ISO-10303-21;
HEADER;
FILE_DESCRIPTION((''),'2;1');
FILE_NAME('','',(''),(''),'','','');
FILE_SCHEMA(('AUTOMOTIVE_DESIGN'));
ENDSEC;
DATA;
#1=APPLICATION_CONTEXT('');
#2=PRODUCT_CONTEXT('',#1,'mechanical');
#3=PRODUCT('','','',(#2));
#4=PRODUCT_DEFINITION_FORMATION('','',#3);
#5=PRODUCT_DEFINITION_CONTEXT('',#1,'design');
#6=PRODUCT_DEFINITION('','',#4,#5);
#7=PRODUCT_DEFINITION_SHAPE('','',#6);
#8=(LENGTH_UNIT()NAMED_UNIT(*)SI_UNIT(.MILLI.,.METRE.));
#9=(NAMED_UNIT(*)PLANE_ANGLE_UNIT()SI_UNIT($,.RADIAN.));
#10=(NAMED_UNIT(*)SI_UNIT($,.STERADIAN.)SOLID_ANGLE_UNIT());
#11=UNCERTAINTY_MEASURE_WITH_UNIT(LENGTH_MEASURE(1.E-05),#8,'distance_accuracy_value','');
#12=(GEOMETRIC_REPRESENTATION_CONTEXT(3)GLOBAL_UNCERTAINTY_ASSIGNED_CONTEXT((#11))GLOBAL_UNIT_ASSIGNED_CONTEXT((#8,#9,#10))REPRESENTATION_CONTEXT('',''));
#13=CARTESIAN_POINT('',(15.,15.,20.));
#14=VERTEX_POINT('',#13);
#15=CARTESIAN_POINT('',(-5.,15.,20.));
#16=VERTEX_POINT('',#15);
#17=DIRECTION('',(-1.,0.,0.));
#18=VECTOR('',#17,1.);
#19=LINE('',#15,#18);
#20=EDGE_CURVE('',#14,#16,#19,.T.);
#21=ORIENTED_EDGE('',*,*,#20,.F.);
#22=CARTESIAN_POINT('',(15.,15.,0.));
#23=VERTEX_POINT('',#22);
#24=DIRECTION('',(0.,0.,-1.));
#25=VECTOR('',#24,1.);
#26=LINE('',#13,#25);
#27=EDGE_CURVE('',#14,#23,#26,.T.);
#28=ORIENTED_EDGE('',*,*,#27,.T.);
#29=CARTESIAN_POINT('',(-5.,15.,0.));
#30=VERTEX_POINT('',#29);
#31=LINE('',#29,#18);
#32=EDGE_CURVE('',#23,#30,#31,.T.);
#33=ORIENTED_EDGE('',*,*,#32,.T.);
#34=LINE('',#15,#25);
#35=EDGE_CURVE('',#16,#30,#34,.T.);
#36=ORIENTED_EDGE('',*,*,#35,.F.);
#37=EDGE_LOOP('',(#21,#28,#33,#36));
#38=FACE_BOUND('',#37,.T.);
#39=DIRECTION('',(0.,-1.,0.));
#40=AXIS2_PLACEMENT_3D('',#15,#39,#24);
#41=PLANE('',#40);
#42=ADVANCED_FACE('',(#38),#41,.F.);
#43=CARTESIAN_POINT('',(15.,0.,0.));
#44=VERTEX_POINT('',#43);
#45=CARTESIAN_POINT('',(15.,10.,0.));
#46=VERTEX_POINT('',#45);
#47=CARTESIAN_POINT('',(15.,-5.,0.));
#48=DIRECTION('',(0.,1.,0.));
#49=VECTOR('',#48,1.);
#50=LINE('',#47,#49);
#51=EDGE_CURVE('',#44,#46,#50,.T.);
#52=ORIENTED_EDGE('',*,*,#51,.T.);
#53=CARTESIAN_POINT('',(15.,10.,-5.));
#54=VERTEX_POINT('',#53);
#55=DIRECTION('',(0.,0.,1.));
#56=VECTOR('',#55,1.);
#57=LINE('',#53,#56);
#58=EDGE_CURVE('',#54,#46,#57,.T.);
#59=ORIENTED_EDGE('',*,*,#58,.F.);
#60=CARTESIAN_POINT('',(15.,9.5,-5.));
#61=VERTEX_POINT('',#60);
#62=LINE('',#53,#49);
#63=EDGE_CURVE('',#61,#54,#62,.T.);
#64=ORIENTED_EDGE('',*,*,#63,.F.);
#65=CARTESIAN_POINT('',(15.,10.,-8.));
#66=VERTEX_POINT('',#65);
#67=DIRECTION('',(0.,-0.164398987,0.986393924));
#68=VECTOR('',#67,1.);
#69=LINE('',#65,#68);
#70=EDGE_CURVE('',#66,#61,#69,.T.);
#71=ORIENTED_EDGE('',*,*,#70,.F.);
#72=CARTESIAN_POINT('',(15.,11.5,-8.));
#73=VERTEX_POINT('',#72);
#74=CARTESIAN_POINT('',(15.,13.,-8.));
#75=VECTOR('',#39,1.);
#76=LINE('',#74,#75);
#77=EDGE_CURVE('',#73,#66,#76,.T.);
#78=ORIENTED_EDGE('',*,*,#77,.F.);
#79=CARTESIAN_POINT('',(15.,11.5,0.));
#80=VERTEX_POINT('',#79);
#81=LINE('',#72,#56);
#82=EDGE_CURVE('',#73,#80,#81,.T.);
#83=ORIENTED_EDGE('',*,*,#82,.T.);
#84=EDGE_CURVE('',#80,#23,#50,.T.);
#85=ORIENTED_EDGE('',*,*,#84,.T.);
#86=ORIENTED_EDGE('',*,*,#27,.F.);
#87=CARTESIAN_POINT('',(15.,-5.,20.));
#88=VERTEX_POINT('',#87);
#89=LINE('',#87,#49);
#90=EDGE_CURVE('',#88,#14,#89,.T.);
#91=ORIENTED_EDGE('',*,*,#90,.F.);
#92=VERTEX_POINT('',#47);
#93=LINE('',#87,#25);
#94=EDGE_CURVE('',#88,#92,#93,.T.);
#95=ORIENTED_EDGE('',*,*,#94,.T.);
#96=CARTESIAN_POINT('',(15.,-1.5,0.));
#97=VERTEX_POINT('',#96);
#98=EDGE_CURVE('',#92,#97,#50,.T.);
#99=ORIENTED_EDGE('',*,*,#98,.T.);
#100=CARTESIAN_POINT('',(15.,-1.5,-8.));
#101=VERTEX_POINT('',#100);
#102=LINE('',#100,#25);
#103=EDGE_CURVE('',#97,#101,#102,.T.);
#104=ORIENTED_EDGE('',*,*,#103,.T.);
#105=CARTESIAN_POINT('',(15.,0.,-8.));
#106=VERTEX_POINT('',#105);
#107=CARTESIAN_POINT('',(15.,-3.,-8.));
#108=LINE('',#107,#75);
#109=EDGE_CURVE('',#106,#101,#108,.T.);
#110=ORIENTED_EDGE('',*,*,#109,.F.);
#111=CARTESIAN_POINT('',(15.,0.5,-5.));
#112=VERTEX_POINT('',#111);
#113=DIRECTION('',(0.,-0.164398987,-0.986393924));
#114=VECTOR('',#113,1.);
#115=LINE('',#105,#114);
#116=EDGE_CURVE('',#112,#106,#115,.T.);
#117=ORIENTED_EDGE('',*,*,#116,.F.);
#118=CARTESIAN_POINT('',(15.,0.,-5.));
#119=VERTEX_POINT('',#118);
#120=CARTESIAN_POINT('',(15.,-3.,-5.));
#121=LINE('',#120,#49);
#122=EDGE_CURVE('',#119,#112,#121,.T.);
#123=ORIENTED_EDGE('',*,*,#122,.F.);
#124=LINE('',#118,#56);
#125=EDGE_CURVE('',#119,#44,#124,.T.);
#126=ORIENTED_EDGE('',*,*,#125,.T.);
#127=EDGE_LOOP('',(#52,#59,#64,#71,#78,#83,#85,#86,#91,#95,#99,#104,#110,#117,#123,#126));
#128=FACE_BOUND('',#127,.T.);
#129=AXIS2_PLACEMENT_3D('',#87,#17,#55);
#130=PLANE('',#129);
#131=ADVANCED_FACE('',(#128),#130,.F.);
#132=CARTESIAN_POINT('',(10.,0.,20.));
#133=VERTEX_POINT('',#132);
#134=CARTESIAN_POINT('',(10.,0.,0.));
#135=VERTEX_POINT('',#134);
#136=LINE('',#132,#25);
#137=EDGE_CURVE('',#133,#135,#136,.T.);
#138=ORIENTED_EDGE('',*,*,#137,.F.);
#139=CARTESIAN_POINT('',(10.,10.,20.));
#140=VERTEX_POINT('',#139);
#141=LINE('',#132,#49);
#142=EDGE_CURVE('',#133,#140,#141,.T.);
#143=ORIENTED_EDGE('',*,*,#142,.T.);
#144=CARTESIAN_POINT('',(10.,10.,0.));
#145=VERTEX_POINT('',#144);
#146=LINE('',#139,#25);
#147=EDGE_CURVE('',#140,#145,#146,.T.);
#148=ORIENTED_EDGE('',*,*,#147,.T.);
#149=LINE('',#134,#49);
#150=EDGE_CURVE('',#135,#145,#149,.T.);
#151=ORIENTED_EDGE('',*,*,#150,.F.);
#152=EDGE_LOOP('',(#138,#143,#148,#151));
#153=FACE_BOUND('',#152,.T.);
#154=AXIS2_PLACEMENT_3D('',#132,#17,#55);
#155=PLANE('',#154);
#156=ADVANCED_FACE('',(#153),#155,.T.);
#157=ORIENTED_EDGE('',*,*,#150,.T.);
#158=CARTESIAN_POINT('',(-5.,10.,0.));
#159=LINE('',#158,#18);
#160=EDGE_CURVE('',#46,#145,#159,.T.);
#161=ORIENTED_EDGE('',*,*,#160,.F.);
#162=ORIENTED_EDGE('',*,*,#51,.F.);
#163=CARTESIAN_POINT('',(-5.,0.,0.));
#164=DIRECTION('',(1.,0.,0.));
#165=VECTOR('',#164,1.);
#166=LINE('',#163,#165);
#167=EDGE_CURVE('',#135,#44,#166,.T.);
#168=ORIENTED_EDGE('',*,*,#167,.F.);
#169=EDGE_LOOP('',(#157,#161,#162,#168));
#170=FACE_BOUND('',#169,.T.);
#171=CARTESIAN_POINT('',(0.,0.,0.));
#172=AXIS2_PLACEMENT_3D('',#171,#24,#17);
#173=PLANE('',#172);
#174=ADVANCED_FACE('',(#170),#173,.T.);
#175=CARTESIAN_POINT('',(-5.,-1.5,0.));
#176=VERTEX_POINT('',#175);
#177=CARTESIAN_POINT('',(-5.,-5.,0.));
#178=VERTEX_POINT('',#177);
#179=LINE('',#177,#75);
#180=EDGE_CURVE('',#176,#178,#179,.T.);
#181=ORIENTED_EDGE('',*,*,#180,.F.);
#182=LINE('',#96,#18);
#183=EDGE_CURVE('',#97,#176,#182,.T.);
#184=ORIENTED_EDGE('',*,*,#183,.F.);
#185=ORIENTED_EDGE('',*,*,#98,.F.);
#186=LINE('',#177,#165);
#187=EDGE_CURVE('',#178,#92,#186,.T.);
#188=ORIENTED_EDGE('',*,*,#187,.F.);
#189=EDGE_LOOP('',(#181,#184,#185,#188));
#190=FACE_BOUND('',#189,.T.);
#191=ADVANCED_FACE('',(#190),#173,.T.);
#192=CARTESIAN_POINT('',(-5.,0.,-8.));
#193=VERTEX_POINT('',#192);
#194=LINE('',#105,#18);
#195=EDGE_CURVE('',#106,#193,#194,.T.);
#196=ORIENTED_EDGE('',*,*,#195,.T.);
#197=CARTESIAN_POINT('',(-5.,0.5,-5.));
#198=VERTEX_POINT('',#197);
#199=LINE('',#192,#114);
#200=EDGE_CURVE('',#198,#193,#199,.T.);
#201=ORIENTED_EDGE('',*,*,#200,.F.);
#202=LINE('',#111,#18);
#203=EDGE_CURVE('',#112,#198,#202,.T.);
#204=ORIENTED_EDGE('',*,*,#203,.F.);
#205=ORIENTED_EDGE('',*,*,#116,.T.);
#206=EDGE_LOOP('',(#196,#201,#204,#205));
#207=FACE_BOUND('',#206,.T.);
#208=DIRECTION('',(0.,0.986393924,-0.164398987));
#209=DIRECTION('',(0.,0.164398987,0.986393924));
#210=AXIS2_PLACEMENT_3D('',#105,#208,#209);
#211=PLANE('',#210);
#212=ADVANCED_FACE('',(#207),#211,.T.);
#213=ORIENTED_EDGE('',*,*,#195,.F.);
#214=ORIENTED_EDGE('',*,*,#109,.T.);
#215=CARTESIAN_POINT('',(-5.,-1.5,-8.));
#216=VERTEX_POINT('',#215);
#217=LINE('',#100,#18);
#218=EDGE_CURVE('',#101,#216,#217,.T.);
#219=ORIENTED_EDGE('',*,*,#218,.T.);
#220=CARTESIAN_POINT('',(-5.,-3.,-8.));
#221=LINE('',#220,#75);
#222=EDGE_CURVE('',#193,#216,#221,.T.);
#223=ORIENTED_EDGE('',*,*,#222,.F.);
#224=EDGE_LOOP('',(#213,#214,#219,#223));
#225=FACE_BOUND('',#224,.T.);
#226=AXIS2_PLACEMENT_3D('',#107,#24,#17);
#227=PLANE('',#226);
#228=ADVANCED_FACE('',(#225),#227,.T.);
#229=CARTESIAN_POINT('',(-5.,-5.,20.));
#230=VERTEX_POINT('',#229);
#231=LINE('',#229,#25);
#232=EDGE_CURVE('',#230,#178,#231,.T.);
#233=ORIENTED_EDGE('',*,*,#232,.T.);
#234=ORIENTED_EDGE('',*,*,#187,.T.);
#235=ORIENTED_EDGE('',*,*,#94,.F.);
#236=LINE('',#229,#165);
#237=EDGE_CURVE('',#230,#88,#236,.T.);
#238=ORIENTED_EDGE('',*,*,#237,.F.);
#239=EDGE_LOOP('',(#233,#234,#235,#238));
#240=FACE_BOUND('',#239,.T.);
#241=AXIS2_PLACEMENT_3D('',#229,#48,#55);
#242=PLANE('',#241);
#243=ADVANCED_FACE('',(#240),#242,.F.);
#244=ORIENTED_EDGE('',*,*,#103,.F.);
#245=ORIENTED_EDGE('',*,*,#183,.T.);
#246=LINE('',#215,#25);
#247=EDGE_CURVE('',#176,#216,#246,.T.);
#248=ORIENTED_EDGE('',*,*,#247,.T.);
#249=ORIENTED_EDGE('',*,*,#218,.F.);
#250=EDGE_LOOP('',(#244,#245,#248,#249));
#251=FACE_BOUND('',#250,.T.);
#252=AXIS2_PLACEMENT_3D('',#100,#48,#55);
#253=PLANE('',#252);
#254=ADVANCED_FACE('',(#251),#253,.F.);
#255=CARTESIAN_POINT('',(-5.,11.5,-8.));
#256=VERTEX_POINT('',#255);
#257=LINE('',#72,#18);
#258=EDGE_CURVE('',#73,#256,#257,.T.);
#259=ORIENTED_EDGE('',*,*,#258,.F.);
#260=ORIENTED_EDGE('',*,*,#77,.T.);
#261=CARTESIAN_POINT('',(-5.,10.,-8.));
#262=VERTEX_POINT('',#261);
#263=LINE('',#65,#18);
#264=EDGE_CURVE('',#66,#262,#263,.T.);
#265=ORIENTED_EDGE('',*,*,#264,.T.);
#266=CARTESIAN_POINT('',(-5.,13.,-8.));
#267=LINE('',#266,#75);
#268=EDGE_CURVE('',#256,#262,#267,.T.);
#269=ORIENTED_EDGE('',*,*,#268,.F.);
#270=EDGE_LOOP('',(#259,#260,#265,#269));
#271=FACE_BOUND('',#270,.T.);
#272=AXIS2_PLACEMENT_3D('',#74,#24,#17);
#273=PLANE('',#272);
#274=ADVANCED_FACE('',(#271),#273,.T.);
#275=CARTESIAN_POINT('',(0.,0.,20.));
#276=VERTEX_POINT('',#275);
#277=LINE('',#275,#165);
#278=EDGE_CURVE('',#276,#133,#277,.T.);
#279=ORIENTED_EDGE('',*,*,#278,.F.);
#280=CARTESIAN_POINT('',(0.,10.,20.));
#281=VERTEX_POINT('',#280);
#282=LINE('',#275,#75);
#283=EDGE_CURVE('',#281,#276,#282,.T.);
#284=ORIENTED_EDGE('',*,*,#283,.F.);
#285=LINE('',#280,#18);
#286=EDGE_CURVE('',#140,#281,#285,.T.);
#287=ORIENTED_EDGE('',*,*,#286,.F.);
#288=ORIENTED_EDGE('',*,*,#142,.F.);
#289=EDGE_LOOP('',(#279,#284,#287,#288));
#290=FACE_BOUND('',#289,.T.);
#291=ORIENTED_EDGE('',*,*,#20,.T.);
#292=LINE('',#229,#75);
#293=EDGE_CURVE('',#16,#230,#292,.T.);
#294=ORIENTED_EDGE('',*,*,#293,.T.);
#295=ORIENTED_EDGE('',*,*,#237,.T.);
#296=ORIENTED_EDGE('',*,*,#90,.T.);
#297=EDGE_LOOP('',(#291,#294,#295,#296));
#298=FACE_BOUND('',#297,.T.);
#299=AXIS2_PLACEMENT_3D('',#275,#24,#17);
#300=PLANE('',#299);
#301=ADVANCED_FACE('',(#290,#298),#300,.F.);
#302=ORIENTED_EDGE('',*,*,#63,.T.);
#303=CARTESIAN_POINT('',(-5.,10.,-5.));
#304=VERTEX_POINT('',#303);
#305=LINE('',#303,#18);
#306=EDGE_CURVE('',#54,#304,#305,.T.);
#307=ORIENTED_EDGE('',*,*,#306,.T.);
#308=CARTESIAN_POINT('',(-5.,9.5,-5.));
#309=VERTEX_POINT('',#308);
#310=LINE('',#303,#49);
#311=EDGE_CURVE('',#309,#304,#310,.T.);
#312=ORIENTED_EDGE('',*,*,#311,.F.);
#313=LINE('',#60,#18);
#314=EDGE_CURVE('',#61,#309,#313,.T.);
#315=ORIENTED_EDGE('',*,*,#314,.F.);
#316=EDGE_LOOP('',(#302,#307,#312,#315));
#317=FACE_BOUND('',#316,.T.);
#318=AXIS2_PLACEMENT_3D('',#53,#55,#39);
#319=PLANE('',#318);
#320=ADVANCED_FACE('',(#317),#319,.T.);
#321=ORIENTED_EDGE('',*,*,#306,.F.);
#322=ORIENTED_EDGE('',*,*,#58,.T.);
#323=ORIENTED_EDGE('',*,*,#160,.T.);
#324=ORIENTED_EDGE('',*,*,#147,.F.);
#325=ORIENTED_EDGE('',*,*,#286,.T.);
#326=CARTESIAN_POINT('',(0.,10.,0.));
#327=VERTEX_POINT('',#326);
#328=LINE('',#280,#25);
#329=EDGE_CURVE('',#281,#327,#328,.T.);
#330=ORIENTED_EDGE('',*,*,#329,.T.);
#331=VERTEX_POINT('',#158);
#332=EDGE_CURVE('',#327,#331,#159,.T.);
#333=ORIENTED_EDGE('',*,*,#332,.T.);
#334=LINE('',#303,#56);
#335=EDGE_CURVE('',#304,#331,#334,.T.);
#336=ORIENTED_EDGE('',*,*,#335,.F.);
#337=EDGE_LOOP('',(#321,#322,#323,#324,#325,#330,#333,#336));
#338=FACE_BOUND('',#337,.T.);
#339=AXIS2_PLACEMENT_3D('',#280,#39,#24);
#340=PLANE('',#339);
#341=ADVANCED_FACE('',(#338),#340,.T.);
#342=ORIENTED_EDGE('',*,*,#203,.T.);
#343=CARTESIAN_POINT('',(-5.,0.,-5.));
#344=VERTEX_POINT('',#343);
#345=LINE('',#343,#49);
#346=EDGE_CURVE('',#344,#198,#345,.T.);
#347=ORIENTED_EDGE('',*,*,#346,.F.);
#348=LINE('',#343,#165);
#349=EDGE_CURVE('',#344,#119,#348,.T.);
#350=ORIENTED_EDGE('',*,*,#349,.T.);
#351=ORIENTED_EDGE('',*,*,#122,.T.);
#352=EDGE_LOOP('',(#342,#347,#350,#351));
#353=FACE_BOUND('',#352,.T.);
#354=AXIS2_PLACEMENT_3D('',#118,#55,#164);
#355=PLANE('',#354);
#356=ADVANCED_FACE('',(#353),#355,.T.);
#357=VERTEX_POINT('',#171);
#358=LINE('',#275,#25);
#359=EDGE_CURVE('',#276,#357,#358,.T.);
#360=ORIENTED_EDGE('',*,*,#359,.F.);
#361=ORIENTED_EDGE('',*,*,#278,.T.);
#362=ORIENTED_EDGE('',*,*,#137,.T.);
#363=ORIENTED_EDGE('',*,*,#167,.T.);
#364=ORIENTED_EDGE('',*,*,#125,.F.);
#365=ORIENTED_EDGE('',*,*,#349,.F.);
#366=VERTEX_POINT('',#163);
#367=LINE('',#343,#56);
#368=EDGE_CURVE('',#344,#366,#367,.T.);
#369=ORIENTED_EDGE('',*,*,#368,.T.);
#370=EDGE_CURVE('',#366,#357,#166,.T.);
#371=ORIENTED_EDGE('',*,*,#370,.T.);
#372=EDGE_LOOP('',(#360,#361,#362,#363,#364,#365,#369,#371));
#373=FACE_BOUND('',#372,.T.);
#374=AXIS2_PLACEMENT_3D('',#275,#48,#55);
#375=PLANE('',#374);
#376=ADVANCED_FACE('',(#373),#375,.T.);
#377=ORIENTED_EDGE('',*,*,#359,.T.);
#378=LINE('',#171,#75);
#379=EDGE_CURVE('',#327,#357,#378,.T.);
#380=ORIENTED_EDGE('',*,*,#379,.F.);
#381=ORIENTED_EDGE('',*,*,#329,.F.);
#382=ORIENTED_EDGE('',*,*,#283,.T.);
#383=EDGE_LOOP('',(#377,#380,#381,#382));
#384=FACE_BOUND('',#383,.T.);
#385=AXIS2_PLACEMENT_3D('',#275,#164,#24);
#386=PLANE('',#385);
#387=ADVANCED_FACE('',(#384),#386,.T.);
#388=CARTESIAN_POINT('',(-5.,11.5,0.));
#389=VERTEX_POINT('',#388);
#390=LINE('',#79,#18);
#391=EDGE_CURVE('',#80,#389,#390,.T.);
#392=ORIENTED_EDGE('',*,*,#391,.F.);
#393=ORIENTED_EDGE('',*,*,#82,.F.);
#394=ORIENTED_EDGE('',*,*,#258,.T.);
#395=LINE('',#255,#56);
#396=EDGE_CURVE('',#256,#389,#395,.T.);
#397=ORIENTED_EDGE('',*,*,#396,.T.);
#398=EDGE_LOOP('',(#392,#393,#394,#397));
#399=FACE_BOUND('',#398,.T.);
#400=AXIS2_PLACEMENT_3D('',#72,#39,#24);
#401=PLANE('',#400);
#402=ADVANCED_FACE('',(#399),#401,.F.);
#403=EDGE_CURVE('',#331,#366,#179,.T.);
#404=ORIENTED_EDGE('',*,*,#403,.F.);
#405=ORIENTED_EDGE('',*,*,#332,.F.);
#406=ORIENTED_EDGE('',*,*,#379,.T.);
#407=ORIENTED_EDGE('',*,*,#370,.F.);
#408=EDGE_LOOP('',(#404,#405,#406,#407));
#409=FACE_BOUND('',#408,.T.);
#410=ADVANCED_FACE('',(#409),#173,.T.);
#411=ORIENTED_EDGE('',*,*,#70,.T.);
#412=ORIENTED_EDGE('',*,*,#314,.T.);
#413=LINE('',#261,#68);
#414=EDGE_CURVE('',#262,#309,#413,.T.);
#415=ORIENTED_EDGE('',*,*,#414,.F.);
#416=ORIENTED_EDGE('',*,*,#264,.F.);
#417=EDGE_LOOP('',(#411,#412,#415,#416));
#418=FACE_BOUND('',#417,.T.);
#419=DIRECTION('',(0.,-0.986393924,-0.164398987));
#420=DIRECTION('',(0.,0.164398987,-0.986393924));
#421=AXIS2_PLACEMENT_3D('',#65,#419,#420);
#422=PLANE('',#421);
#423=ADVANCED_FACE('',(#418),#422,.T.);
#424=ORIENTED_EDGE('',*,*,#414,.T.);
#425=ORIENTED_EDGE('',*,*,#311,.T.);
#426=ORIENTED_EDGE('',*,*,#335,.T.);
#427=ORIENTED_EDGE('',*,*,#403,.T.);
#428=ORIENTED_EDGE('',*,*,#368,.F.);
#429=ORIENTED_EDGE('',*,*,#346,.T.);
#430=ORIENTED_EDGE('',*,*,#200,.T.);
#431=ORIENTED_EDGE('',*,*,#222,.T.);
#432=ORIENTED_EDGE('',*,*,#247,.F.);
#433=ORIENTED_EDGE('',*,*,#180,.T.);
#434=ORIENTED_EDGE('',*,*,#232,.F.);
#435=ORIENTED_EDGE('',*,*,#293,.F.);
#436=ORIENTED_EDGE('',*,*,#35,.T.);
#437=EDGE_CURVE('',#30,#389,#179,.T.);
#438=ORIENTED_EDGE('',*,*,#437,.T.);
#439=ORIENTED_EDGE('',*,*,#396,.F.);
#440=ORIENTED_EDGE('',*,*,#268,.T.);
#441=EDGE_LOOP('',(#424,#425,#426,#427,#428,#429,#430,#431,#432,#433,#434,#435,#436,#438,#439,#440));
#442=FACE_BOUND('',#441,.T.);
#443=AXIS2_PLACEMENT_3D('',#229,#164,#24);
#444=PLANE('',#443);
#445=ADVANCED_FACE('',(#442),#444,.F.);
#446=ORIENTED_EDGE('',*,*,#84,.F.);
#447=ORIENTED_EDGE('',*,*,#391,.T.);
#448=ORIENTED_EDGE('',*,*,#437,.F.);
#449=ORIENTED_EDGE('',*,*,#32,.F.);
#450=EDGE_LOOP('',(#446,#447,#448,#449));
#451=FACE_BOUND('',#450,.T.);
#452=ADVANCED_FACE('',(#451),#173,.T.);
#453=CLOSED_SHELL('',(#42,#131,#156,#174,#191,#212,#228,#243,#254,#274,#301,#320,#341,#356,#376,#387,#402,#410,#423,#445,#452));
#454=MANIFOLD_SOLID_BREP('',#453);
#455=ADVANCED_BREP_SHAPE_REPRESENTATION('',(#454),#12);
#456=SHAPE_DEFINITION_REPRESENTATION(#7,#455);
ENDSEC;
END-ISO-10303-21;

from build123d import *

# Parameters (mm, degrees)
SKETCH_1_W          = 20
SKETCH_1_H          = 20
SKETCH_1_W_2        = 10
SKETCH_1_H_2        = 10
EXTRUDE_1_DEPTH     = 20
SKETCH_2_W          = 20
SKETCH_2_H          = 3
EXTRUDE_2_DEPTH     = 5
EXTRUDE_3_DEPTH     = 20
SKETCH_4_W          = 8
SKETCH_4_H          = 1.5
CUT_EXTRUDE_1_DEPTH = 20


with BuildPart() as part:
    # 草图1 → 凸台-拉伸1 (new body)
    with BuildSketch(Plane.XY):
        with Locations((5, 5)):
            Rectangle(SKETCH_1_W, SKETCH_1_H)
        with Locations((5, 5)):
            Rectangle(SKETCH_1_W_2, SKETCH_1_H_2, mode=Mode.SUBTRACT)
    extrude(amount=EXTRUDE_1_DEPTH)

    # 草图2 → 凸台-拉伸2 (add)
    with BuildSketch(Plane(origin=(0, 0, 0), x_dir=(-1, 0, 0), z_dir=(0, 0, -1))):
        with Locations((-5, 11.5)):
            Rectangle(SKETCH_2_W, SKETCH_2_H)
        with Locations((-5, -1.5)):
            Rectangle(SKETCH_2_W, SKETCH_2_H)
    extrude(amount=EXTRUDE_2_DEPTH)

    # 草图3 → 凸台-拉伸3 (add)
    with BuildSketch(Plane.ZY.offset(5)):
        Polygon((-5, 10), (-5, 9.5), (-8, 10), (-8, 13), (-5, 13), align=None)
        Polygon((-5, 0), (-5, 0.5), (-8, 0), (-8, -3), (-5, -3), align=None)
    extrude(amount=-EXTRUDE_3_DEPTH)

    # 草图4 → 切除-拉伸1 (cut)
    with BuildSketch(Plane.ZY.offset(5)):
        with Locations((-4, 12.25)):
            Rectangle(SKETCH_4_W, SKETCH_4_H)
        with Locations((-4, -2.25)):
            Rectangle(SKETCH_4_W, SKETCH_4_H)
    extrude(amount=-CUT_EXTRUDE_1_DEPTH, mode=Mode.SUBTRACT)


solid = part.part
